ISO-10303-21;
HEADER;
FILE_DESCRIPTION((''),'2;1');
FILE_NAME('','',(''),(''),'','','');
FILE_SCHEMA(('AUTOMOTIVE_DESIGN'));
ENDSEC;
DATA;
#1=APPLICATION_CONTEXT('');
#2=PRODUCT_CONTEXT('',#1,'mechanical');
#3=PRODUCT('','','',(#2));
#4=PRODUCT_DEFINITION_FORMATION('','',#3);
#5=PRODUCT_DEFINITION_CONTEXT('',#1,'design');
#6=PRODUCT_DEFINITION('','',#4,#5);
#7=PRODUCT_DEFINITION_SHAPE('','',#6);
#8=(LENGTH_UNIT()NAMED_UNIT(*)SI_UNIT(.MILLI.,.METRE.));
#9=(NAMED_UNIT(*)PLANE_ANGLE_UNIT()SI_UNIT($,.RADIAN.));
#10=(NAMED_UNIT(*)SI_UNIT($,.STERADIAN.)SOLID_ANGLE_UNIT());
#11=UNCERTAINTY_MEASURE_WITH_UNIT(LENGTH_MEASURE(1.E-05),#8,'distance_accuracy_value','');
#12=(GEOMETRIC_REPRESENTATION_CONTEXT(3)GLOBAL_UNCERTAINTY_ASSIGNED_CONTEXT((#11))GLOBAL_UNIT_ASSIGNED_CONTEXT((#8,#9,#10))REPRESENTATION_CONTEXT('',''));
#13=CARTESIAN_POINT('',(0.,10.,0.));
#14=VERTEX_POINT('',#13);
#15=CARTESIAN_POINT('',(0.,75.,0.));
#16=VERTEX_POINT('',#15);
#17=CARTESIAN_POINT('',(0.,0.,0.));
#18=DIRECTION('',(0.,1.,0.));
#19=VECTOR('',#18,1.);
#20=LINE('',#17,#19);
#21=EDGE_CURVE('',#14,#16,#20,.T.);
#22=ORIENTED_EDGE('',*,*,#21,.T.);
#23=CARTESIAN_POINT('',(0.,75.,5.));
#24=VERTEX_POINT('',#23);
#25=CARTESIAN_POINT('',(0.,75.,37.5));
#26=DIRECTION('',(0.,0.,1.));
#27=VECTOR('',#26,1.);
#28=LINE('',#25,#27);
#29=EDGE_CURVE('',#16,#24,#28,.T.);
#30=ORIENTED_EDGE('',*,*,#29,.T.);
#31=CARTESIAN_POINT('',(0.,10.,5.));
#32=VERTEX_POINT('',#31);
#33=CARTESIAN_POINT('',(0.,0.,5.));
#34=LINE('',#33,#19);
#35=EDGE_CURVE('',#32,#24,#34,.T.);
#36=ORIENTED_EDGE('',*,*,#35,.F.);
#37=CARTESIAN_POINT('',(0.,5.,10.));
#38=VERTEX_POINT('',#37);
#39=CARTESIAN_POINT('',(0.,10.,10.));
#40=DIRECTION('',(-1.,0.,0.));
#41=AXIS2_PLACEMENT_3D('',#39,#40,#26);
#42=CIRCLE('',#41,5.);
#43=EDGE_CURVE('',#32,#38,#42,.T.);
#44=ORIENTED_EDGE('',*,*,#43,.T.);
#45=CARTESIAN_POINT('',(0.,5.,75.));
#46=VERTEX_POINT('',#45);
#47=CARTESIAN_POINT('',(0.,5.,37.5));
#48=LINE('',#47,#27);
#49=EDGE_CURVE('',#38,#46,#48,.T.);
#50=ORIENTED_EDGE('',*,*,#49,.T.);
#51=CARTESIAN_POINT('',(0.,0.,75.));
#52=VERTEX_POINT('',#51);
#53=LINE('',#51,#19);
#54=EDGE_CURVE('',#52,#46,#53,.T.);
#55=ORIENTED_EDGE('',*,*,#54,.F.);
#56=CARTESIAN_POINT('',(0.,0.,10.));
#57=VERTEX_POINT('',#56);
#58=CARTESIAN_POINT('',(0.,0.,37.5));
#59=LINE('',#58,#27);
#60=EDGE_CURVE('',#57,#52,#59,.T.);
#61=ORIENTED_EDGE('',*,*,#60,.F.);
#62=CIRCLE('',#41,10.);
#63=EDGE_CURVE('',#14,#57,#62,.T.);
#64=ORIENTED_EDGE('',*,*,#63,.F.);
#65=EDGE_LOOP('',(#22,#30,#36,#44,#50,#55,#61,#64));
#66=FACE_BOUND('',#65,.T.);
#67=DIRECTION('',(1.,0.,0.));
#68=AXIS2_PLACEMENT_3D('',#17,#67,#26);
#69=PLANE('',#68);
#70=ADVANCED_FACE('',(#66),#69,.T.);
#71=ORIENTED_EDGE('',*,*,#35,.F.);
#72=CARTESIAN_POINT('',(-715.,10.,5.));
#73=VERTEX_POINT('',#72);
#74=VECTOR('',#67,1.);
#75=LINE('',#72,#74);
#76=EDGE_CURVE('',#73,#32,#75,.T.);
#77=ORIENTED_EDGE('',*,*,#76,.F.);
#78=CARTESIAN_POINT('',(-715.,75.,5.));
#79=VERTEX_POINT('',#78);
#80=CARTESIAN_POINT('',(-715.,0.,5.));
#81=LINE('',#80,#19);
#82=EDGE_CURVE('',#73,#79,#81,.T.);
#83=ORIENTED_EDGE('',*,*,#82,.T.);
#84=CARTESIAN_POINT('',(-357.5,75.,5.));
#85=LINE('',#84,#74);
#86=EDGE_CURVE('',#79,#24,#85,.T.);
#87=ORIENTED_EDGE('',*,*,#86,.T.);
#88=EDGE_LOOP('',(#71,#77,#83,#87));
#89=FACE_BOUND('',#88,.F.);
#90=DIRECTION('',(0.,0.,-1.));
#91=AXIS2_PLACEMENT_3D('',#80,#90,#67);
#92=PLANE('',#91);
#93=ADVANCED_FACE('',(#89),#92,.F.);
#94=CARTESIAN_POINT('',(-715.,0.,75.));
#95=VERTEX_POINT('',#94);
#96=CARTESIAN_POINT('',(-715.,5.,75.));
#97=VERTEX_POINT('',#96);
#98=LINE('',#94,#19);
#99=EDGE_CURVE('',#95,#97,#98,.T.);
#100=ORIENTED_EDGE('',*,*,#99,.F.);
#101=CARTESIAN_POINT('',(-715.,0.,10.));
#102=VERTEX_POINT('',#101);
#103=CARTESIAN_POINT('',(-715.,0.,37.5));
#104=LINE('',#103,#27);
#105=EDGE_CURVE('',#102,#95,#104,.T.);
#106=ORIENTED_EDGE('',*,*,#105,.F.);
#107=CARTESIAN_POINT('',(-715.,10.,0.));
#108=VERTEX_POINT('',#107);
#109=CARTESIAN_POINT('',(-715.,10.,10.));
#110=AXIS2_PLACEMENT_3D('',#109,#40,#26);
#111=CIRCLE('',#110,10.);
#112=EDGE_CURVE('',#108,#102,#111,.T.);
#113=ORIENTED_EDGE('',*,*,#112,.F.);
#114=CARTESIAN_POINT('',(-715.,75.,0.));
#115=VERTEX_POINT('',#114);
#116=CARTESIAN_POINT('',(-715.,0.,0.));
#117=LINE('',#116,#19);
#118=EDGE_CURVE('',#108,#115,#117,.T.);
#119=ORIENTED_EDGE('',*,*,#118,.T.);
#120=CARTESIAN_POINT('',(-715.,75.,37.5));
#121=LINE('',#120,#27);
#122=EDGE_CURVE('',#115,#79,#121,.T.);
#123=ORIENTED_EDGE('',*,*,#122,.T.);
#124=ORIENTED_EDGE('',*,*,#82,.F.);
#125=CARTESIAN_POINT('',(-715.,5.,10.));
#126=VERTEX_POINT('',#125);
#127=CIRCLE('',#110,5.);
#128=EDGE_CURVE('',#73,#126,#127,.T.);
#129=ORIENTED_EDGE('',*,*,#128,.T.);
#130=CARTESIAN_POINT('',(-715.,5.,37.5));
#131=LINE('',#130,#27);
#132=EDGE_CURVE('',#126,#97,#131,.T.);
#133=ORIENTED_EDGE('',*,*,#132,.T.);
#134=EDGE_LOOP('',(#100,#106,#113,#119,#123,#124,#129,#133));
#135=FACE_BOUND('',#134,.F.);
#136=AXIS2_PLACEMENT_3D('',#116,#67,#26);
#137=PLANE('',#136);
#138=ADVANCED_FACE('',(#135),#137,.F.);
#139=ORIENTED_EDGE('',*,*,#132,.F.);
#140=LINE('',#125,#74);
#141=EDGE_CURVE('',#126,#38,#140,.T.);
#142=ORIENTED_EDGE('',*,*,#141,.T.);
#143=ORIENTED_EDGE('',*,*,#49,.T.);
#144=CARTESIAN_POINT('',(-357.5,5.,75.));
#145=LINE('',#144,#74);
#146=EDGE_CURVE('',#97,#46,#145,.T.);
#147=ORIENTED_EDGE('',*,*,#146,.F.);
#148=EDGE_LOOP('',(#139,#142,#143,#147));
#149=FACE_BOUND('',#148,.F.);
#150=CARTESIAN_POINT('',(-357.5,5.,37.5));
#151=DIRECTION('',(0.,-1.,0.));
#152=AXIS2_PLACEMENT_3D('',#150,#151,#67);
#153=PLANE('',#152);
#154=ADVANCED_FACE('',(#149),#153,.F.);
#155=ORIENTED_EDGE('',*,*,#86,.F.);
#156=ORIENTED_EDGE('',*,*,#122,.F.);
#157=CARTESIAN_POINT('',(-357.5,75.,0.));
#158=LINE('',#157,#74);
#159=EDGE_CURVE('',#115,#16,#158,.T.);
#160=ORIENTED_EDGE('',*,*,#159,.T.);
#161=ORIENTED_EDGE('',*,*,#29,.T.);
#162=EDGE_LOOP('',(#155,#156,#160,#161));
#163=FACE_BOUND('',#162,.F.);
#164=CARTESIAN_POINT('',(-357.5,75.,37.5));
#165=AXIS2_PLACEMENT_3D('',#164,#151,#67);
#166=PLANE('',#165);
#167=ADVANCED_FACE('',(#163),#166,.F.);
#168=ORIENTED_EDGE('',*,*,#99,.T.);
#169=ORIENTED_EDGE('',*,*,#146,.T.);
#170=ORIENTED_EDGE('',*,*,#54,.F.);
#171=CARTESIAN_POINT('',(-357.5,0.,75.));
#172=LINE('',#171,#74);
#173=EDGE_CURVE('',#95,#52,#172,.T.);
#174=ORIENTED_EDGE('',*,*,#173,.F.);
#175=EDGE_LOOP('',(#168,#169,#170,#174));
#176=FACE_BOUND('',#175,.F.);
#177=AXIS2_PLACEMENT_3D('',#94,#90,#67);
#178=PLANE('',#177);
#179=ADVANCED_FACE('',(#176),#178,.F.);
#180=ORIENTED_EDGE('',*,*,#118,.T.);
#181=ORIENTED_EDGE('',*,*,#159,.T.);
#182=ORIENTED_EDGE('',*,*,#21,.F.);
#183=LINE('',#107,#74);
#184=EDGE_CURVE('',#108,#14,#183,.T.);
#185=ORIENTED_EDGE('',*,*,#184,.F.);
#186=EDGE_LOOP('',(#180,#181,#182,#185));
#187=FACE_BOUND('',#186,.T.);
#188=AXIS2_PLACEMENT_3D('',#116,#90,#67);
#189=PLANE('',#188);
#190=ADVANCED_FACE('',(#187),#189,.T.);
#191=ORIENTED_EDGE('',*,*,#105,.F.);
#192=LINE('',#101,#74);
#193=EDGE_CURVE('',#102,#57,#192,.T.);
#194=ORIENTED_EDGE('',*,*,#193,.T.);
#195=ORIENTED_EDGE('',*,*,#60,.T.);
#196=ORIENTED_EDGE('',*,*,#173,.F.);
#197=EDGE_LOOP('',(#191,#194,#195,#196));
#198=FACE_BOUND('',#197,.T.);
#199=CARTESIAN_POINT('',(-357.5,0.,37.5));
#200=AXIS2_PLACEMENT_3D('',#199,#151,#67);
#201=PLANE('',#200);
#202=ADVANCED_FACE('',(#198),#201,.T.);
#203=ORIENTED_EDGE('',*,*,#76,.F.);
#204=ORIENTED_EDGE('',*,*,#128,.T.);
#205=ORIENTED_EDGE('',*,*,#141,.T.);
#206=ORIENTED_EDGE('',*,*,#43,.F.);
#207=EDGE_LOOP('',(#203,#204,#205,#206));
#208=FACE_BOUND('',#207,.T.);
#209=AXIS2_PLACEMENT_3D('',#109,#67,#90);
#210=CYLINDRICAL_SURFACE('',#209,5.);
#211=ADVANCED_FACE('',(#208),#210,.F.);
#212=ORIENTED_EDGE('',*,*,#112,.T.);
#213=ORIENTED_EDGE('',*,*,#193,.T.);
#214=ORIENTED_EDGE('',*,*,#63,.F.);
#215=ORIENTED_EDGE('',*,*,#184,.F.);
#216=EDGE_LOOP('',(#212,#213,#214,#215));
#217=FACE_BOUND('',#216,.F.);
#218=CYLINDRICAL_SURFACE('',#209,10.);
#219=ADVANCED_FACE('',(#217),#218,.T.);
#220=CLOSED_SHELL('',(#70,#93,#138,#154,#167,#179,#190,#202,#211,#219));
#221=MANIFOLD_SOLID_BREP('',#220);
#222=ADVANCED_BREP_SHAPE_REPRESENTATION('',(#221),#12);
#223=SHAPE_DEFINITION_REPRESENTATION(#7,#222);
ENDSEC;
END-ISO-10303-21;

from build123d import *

# Parameters (mm, degrees)
F0_W     = 715
F0_H     = 75
F1_DEPTH = 75
F2_R     = 10
F3_T     = -5


with BuildPart() as f1:
    # F0 (on Front) → F1 (new body)
    with BuildSketch(Plane.XZ):
        with Locations((-357.5, 37.5)):
            Rectangle(F0_W, F0_H)
    extrude(amount=-F1_DEPTH)

    # F2
    f2_edges = [f1.edges().sort_by_distance(p)[0] for p in [
        (-357.5, 0, 0),
    ]]
    fillet(f2_edges, radius=F2_R)

    # F3
    f3_openings = [f1.faces().sort_by_distance(p)[0] for p in [
        (-357.5, 37.5, 75),
        (-357.5, 75, 37.5),
        (0, 37.635061, 37.635061),
        (-715, 37.635061, 37.635061),
    ]]
    offset(amount=F3_T, openings=f3_openings)


solid = f1.part
